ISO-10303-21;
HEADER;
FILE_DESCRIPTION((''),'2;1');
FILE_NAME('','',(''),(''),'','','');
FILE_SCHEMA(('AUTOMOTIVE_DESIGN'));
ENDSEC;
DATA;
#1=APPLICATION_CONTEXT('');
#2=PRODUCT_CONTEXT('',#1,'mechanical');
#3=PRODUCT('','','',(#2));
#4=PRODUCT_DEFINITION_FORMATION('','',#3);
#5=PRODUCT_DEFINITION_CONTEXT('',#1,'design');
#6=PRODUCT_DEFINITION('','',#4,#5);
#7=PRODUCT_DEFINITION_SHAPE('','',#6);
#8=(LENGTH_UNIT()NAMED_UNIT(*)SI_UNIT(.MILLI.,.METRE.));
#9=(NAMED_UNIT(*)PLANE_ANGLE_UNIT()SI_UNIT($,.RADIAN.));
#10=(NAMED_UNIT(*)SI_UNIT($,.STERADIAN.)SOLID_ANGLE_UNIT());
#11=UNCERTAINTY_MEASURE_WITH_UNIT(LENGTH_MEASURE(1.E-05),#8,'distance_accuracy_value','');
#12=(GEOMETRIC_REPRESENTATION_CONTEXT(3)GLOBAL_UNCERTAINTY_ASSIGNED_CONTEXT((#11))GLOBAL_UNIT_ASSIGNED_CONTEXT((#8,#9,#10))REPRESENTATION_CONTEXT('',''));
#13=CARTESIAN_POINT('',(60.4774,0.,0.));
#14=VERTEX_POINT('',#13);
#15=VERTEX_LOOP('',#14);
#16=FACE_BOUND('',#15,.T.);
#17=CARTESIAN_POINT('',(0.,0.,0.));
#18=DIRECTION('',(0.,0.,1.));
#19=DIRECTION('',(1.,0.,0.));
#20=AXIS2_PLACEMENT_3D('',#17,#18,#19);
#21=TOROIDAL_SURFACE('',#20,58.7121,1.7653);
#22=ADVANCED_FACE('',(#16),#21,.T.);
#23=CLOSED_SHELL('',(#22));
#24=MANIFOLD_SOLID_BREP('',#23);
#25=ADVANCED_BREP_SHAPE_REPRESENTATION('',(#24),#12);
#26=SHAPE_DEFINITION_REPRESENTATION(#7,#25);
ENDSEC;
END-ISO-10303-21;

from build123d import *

# Parameters (mm, degrees)
SKETCH1_R = 1.7653


with BuildPart() as part:
    # Sketch1 → Revolve1 (revolve)
    with BuildSketch(Plane(origin=(0, 0, 0), x_dir=(0, -1, 0), z_dir=(1, 0, 0)), mode=Mode.PRIVATE) as revolve1_sk:
        with Locations((58.7121, 0)):
            Circle(SKETCH1_R)
    revolve(revolve1_sk.sketch.rotate(Axis((0, 0, 1.7653), (0, 0, -1)), 270), axis=Axis((0, 0, 1.7653), (0, 0, -1)))


solid = part.part
